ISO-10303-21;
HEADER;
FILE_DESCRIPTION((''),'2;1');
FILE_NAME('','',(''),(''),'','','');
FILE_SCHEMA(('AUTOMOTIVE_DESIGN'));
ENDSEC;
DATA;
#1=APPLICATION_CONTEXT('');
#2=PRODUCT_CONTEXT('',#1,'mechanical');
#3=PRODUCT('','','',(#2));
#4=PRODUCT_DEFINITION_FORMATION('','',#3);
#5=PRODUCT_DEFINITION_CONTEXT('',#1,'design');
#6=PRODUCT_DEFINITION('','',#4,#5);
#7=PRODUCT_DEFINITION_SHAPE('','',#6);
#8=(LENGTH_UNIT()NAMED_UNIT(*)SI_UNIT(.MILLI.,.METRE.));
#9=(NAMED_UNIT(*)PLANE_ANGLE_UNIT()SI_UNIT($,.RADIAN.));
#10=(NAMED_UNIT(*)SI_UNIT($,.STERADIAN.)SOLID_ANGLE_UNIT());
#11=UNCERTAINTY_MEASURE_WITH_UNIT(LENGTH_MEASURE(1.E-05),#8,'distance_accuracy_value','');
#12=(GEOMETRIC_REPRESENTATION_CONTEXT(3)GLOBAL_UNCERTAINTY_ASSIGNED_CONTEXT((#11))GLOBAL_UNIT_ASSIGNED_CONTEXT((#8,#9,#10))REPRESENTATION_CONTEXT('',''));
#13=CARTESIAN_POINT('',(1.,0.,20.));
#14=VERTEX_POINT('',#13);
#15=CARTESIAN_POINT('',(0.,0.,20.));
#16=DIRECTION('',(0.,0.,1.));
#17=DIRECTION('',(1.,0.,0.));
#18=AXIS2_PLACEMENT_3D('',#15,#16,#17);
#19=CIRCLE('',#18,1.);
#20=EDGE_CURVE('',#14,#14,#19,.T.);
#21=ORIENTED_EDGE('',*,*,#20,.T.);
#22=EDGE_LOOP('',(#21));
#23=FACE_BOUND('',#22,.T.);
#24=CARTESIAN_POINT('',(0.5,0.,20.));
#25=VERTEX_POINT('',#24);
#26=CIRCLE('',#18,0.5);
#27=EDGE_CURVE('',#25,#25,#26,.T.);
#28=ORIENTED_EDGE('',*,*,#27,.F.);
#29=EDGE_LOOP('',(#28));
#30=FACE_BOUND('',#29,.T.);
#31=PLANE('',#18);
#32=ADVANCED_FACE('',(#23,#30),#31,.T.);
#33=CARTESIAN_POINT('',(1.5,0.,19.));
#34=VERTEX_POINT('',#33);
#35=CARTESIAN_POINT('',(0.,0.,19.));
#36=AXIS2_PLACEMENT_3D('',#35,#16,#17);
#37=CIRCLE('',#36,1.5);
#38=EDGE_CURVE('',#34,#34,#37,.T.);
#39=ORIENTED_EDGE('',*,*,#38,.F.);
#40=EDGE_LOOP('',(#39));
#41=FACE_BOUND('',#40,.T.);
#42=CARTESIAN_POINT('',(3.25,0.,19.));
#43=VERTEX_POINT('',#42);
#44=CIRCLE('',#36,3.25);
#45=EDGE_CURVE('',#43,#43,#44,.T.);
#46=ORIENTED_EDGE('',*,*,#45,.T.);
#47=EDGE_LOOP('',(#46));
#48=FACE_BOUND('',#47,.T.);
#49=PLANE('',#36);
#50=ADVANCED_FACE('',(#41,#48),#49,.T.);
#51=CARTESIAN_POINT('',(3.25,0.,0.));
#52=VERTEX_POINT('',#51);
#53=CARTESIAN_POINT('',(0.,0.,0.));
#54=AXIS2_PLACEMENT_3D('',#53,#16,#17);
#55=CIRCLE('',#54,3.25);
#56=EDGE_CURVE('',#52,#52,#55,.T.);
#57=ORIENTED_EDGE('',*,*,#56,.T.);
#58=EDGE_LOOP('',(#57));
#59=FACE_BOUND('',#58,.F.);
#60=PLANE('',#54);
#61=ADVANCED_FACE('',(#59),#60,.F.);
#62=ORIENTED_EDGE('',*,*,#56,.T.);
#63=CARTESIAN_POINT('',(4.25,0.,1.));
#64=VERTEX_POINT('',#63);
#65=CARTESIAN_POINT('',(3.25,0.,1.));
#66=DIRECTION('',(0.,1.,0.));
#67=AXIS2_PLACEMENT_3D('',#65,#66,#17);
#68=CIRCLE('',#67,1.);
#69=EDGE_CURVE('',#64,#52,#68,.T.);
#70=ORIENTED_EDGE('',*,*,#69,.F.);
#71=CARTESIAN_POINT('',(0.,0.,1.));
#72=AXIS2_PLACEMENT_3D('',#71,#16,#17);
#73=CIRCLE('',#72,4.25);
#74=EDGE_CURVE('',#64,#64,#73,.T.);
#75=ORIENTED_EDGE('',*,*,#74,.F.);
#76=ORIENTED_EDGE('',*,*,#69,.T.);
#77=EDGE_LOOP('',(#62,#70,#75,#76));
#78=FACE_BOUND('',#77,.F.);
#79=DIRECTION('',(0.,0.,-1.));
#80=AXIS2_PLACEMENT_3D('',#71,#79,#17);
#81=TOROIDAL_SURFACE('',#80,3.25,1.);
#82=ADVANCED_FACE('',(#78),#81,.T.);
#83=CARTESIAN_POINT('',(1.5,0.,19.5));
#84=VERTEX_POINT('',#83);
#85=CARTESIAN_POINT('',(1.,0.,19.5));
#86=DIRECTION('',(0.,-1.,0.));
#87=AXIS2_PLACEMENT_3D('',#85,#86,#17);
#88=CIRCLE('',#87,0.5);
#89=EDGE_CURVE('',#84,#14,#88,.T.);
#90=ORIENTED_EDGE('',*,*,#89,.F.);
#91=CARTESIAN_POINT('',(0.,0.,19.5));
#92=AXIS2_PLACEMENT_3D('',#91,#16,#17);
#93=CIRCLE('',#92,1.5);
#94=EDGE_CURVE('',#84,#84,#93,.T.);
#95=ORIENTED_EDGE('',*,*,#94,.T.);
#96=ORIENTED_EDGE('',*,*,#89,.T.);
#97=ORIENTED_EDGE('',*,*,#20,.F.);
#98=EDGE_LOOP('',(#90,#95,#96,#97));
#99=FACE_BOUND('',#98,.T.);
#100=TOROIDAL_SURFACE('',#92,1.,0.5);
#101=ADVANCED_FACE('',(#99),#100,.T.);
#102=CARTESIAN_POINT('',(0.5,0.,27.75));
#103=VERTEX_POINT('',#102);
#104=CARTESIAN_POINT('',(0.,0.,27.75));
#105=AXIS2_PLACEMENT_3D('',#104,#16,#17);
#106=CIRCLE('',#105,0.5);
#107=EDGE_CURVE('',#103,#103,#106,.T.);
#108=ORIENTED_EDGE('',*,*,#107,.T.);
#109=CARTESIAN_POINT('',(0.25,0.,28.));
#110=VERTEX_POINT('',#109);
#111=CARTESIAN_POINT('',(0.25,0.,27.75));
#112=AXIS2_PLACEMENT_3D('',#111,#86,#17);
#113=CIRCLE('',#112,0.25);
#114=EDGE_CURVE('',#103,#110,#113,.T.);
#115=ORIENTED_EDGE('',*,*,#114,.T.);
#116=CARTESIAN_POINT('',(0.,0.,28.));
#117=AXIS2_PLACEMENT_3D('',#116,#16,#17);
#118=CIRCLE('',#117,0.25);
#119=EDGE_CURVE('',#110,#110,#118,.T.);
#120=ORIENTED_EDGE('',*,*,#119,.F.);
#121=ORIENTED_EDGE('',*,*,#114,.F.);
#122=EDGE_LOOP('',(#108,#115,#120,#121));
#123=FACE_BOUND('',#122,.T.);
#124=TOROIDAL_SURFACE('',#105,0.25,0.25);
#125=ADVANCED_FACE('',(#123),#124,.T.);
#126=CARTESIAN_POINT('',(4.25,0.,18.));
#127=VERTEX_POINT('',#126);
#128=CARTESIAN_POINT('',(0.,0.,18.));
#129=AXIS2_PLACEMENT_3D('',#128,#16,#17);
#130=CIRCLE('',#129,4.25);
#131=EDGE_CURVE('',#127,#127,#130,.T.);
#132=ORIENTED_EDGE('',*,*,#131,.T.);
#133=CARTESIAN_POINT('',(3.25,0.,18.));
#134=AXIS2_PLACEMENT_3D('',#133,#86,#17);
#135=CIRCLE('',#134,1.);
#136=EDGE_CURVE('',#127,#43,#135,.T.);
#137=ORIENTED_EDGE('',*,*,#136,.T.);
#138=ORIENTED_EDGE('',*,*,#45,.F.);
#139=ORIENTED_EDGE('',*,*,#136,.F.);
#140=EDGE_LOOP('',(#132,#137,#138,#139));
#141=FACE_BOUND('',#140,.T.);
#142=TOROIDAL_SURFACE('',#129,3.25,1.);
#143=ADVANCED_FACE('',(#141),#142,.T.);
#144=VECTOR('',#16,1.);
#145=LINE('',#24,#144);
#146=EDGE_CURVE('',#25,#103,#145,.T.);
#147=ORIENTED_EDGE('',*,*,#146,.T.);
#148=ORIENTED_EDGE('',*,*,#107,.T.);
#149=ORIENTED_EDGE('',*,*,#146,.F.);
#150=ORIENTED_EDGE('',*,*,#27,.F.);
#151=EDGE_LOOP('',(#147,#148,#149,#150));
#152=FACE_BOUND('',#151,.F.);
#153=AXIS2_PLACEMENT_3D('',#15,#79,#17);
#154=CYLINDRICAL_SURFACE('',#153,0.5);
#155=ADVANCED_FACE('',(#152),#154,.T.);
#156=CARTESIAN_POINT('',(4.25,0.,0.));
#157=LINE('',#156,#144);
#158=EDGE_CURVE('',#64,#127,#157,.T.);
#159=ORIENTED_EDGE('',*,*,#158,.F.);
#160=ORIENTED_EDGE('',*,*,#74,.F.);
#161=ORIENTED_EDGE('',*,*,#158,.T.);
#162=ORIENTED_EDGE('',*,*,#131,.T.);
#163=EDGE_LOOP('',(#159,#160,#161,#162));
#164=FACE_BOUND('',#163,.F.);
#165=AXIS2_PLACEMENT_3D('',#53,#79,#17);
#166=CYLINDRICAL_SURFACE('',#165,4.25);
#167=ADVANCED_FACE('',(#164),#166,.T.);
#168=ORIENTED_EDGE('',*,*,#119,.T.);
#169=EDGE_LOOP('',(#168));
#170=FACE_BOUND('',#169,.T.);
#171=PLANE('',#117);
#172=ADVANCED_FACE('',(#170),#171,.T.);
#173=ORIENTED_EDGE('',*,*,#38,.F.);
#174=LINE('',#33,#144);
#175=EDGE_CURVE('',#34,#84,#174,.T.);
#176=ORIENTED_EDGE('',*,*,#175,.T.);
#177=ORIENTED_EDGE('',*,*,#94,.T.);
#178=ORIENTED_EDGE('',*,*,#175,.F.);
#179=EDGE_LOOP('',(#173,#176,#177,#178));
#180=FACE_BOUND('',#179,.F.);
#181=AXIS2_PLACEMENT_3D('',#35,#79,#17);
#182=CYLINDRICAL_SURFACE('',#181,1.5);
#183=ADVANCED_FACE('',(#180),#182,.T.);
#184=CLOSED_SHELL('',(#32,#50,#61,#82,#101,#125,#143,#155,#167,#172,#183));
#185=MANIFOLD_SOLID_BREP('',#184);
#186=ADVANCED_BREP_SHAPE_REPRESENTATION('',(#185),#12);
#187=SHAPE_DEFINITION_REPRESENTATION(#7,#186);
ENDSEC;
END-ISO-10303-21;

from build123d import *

# Parameters (mm, degrees)
F0_R     = 4.25
F1_DEPTH = 19
F2_R     = 1
F3_R     = 1.5
F4_DEPTH = 1
F5_R     = 0.5
F7_R     = 0.5
F8_DEPTH = 8
F9_R     = 0.25


with BuildPart() as f1:
    # F0 (on Top) → F1 (new body)
    with BuildSketch(Plane.XY):
        Circle(F0_R)
    extrude(amount=F1_DEPTH)

    # F2
    f2_edges = [f1.edges().sort_by_distance(p)[0] for p in [
        (-4.25, 0, 19),
        (-4.25, 0, 0),
    ]]
    fillet(f2_edges, radius=F2_R)

    # F3 (on face) → F4 (join)
    with BuildSketch(Plane.XY.offset(19)):
        Circle(F3_R)
    extrude(amount=F4_DEPTH)

    # F5
    f5_edges = [f1.edges().sort_by_distance(p)[0] for p in [
        (-1.5, 0, 20),
    ]]
    fillet(f5_edges, radius=F5_R)

    # F7 (on face) → F8 (join)
    with BuildSketch(Plane.XY.offset(20)):
        Circle(F7_R)
    extrude(amount=F8_DEPTH)

    # F9
    f9_edges = [f1.edges().sort_by_distance(p)[0] for p in [
        (-0.5, 0, 28),
    ]]
    fillet(f9_edges, radius=F9_R)


solid = f1.part
